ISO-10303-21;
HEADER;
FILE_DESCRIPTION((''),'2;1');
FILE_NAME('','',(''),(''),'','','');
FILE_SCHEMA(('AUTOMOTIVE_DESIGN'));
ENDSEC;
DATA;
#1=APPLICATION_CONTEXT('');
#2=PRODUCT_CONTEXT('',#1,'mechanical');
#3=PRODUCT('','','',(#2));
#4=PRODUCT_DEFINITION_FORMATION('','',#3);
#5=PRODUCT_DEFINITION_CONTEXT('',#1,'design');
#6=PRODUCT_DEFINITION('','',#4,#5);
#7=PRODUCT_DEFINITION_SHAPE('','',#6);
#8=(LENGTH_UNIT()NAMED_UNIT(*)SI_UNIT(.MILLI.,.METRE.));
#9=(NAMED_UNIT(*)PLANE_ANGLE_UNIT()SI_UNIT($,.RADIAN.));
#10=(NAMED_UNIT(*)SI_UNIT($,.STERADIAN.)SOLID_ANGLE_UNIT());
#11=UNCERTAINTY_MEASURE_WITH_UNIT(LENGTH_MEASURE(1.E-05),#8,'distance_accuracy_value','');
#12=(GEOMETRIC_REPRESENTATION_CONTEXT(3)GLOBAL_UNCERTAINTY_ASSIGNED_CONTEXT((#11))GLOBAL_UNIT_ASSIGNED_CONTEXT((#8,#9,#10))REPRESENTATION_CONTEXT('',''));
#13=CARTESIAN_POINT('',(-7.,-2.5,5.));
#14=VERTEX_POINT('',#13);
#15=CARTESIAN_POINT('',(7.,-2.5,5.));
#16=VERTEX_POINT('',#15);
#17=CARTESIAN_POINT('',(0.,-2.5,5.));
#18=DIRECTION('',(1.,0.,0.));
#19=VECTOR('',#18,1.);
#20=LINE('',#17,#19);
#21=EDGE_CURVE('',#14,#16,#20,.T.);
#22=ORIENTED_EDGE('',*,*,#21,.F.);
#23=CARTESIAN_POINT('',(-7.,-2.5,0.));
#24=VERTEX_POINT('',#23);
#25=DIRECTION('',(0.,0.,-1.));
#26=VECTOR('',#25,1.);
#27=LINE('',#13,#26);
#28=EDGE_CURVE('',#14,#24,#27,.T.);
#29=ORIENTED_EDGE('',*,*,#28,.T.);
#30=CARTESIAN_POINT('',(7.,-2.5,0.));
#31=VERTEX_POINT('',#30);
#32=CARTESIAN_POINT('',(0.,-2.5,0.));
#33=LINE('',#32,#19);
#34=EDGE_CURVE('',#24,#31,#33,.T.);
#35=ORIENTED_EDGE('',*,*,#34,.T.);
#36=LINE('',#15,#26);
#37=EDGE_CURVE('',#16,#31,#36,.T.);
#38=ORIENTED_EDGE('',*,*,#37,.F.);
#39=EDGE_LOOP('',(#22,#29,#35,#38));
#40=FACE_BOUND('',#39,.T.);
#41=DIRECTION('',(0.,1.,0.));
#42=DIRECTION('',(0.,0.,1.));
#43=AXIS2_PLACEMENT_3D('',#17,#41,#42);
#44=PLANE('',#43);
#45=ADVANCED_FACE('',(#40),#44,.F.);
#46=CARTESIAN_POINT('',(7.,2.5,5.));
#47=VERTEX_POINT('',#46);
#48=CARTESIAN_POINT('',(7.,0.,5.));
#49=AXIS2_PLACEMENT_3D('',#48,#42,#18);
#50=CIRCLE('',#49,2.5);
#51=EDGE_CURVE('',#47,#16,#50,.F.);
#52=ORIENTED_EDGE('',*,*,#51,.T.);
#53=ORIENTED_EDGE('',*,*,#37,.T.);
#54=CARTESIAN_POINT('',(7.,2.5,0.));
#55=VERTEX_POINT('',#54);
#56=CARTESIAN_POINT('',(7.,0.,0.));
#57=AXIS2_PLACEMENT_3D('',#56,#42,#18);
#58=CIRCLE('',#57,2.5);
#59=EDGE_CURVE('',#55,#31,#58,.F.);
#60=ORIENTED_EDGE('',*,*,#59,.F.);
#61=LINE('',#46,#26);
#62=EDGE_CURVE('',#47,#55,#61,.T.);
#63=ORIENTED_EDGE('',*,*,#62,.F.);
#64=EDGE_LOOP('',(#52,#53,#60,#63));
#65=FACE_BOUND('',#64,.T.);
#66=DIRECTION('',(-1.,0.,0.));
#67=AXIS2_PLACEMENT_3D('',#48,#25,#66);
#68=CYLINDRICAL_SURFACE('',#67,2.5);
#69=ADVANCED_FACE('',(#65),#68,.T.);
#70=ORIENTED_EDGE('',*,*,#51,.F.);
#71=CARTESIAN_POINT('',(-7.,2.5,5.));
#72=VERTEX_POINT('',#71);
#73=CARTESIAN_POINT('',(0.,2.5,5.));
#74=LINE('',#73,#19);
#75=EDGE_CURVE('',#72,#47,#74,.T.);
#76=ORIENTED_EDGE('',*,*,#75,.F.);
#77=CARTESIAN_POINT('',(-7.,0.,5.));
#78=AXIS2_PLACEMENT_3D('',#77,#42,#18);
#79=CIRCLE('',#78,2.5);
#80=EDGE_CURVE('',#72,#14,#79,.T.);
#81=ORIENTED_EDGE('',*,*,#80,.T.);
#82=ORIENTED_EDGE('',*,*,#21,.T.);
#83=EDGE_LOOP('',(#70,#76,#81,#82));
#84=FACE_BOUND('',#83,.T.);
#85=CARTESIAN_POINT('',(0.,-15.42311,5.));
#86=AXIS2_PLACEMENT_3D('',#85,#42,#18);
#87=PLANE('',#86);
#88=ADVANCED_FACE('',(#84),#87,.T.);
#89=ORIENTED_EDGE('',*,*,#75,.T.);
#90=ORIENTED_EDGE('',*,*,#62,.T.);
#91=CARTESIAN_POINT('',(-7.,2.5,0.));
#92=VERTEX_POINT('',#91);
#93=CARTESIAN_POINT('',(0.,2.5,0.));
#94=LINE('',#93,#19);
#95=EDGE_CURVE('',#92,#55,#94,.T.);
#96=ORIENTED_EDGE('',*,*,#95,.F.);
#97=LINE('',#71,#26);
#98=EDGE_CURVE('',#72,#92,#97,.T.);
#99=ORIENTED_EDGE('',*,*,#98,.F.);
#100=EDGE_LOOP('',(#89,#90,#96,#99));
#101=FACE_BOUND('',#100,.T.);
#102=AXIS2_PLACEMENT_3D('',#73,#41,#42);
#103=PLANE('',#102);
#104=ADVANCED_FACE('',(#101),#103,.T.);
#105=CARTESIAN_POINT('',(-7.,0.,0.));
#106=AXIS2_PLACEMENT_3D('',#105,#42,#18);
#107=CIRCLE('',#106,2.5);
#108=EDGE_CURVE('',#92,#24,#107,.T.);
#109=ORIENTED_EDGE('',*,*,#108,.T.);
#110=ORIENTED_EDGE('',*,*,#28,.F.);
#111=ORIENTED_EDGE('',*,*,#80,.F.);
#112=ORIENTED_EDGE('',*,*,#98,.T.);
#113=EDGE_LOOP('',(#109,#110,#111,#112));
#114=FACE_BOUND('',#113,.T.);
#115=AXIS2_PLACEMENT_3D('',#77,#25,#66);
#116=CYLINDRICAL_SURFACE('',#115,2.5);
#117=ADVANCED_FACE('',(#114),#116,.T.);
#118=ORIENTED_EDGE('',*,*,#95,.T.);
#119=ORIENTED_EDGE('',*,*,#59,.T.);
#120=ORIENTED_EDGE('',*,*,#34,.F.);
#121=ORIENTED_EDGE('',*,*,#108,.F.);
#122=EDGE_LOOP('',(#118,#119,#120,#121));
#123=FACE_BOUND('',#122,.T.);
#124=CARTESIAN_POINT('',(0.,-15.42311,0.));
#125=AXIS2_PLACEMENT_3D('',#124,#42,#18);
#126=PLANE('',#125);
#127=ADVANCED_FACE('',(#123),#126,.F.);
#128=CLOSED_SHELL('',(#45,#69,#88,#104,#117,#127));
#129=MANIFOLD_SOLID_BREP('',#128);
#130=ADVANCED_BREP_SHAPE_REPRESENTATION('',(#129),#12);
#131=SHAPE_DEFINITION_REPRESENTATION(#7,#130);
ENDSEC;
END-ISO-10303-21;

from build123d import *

# Parameters (mm, degrees)
SKETCH_1_W      = 14
SKETCH_1_H      = 5
EXTRUDE_1_DEPTH = 5


with BuildPart() as part:
    # 草图1 → 凸台-拉伸1 (new body)
    with BuildSketch(Plane.XY):
        with BuildLine():
            Line((-7, 2.5), (-7, -2.5))
            ThreePointArc((-7, -2.5), (-9.5, 0), (-7, 2.5))
        make_face()
        Rectangle(SKETCH_1_W, SKETCH_1_H)
        with BuildLine():
            ThreePointArc((7, 2.5), (9.5, 0), (7, -2.5))
            Line((7, -2.5), (7, 2.5))
        make_face()
    extrude(amount=EXTRUDE_1_DEPTH)


solid = part.part
